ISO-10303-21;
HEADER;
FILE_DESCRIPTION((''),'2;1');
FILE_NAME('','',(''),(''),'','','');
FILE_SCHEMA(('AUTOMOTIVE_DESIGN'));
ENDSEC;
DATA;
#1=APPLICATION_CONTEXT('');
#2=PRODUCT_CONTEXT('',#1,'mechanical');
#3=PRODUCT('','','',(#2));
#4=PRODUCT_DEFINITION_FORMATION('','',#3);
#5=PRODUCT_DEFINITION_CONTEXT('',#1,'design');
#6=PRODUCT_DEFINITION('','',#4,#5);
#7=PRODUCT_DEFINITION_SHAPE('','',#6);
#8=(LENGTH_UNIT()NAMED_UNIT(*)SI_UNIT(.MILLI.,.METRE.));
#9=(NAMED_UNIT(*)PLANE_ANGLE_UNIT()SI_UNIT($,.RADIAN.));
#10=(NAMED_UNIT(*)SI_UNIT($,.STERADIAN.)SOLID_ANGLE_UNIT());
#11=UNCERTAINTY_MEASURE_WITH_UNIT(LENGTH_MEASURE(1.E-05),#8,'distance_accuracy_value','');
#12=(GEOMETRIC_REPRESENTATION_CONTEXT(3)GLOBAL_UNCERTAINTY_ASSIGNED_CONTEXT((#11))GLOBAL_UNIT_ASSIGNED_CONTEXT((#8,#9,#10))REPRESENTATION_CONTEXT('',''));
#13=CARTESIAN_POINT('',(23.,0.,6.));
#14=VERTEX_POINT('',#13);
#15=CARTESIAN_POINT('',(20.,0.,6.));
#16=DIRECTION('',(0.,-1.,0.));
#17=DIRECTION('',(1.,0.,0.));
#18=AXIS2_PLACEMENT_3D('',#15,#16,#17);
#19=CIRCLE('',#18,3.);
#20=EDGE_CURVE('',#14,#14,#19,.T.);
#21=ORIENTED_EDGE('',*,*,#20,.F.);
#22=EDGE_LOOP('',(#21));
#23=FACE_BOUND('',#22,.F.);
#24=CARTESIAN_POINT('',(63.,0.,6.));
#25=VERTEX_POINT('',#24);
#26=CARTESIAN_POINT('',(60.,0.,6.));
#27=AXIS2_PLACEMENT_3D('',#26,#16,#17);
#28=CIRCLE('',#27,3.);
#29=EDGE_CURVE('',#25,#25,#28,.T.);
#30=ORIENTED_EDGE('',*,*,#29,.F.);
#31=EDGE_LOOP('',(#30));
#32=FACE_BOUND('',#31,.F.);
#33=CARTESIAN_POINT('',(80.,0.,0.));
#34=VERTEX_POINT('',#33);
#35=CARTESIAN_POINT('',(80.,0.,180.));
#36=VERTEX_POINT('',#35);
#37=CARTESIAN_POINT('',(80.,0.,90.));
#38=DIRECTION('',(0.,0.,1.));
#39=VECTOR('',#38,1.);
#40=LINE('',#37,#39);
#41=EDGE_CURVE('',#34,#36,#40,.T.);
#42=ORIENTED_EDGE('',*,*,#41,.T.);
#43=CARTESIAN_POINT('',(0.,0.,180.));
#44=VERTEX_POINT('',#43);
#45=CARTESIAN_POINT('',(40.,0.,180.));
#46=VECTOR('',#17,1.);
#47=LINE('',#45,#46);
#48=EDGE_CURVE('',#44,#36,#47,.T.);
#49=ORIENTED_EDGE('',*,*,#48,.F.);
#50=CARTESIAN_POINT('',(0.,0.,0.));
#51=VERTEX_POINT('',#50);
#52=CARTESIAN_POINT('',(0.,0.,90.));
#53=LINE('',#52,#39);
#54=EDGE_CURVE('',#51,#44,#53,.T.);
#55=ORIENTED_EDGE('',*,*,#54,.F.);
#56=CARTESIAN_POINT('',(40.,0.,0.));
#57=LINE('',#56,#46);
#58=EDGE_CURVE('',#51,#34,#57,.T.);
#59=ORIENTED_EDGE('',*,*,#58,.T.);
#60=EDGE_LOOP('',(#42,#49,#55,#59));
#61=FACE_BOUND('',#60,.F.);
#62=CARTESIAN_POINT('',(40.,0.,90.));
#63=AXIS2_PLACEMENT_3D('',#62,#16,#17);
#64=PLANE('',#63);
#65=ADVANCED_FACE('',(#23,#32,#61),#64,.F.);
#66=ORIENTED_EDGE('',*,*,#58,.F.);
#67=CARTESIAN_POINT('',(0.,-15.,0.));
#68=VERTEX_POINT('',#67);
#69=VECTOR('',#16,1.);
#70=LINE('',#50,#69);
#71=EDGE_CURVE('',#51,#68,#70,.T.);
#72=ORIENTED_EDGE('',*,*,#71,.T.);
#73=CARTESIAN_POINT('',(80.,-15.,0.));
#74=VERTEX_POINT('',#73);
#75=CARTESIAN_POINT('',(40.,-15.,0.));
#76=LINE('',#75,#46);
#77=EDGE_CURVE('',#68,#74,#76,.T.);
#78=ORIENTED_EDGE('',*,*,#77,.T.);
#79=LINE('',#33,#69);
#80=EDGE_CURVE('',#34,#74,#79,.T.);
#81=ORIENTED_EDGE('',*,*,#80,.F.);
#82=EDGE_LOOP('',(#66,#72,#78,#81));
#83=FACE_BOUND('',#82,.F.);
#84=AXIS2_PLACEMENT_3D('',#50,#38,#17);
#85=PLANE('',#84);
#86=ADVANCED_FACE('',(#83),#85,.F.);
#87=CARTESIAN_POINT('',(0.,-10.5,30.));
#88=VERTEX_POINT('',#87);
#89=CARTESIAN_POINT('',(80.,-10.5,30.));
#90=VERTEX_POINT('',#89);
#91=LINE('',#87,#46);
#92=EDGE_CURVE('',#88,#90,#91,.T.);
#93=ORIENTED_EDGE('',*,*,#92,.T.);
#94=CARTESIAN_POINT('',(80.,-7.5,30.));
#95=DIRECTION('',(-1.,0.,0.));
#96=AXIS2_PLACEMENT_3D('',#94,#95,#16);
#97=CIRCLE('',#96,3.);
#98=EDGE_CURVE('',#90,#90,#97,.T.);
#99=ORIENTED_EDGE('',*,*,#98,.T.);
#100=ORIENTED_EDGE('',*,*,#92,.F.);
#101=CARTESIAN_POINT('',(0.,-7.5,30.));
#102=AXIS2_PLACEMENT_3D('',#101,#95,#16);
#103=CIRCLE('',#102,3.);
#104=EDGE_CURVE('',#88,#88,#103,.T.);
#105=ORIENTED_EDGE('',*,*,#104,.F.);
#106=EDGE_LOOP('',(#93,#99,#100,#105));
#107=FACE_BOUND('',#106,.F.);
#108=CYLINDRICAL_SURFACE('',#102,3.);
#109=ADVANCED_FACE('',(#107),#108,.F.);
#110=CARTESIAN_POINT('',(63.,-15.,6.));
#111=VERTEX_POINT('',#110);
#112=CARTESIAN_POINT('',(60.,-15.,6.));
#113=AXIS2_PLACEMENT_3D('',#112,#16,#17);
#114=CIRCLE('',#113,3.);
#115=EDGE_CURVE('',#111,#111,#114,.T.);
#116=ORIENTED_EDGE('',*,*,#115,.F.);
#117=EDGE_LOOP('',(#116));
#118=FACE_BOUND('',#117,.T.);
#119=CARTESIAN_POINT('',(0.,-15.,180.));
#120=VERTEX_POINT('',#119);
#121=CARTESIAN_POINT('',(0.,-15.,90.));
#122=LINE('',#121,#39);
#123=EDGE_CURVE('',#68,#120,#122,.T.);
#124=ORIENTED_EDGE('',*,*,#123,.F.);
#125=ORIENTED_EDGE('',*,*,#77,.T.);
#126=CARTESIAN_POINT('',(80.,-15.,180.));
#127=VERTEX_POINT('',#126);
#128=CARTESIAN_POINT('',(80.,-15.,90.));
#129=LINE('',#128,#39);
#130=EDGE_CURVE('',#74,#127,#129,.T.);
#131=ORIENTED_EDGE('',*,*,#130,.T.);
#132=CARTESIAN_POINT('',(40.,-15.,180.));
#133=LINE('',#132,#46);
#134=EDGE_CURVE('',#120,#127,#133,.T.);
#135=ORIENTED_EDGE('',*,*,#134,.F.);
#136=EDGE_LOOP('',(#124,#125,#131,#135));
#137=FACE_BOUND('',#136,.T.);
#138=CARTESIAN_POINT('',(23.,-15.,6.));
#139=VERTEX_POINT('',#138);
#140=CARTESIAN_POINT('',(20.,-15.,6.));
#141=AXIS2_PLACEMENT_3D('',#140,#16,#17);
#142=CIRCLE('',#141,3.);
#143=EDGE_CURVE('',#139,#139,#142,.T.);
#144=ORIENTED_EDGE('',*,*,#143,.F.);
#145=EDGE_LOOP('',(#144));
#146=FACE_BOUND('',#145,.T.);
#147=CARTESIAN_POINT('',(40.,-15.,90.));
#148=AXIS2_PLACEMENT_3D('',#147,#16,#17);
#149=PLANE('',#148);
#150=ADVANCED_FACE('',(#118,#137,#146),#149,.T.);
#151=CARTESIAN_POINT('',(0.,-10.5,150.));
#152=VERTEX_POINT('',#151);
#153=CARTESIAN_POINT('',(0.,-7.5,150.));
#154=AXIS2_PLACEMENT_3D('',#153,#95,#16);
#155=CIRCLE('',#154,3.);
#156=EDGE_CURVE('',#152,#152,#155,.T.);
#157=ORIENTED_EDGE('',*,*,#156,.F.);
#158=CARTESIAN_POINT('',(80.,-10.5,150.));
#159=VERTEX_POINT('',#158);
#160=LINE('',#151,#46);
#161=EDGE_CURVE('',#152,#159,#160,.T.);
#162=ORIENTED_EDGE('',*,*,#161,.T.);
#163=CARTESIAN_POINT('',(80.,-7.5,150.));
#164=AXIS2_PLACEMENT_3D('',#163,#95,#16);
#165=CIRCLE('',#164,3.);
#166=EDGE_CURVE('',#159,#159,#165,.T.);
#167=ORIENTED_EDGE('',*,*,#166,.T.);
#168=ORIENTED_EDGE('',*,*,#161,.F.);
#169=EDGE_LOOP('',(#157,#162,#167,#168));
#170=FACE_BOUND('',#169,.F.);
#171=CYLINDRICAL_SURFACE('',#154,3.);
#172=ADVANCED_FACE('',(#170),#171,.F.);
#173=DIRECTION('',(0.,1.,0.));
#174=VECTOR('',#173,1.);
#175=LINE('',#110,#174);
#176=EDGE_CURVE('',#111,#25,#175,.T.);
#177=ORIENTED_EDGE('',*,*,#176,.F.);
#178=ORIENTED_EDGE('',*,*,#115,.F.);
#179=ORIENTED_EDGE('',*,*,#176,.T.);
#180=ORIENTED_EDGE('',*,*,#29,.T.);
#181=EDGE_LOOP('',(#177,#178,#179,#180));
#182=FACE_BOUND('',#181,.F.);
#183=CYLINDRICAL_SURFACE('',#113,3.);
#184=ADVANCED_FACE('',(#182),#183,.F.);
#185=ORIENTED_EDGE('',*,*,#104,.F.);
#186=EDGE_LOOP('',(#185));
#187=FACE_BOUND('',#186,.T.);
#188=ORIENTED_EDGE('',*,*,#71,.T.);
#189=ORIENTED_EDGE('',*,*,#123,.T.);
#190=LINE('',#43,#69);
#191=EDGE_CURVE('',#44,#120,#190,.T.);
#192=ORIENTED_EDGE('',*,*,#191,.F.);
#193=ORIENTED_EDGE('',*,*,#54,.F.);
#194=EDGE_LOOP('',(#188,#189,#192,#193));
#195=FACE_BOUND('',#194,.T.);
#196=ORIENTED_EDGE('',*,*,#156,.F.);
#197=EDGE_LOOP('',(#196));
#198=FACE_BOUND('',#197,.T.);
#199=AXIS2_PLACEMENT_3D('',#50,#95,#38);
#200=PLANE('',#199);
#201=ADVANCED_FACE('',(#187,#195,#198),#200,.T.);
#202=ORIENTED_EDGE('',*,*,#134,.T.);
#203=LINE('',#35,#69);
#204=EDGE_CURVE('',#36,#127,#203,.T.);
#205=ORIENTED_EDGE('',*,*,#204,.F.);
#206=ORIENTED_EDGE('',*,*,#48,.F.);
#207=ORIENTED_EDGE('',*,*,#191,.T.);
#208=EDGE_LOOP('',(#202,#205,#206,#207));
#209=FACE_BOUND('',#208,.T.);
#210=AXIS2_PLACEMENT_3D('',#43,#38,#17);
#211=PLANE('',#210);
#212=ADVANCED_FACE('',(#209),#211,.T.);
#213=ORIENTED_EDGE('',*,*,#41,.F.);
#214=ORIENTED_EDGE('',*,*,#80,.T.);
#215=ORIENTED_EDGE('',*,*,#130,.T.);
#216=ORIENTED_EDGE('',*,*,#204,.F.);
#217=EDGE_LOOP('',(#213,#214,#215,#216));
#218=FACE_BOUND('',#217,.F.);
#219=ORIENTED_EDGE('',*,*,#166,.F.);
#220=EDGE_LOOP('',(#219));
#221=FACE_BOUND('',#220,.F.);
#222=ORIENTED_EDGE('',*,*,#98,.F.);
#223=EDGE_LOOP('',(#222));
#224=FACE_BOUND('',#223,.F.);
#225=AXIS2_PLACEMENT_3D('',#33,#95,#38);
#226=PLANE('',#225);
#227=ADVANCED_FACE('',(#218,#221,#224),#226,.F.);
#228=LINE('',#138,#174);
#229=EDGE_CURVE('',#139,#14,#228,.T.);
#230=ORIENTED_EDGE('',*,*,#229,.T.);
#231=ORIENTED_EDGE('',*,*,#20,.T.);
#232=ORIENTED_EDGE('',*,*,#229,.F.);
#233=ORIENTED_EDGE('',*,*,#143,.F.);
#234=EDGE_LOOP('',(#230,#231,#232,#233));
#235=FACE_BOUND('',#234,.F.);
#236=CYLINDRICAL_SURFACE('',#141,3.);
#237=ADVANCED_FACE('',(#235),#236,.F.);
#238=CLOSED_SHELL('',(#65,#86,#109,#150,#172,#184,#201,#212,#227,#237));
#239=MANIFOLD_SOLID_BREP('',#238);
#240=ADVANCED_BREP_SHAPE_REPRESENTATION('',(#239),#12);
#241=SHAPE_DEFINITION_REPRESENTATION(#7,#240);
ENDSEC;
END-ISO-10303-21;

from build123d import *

# Parameters (mm, degrees)
F0_W     = 80
F0_H     = 180
F1_DEPTH = 15
F2_R     = 3
F3_DEPTH = 15.001
F4_R     = 3
F5_DEPTH = 80.001


with BuildPart() as f1:
    # F0 (on Front) → F1 (new body)
    with BuildSketch(Plane.XZ):
        with Locations((40, 90)):
            Rectangle(F0_W, F0_H)
    extrude(amount=F1_DEPTH)

    # F2 (on face) → F3 (cut, through all)
    with BuildSketch(Plane.XZ.offset(15)):
        with Locations((60, 6)):
            Circle(F2_R)
        with Locations((20, 6)):
            Circle(F2_R)
    extrude(amount=-F3_DEPTH, mode=Mode.SUBTRACT)

    # F4 (on face) → F5 (cut, through all)
    with BuildSketch(Plane(origin=(0, 0, 0), x_dir=(0, -1, 0), z_dir=(-1, 0, 0))):
        with Locations((7.5, 30)):
            Circle(F4_R)
        with Locations((7.5, 150)):
            Circle(F4_R)
    extrude(amount=-F5_DEPTH, mode=Mode.SUBTRACT)


solid = f1.part
